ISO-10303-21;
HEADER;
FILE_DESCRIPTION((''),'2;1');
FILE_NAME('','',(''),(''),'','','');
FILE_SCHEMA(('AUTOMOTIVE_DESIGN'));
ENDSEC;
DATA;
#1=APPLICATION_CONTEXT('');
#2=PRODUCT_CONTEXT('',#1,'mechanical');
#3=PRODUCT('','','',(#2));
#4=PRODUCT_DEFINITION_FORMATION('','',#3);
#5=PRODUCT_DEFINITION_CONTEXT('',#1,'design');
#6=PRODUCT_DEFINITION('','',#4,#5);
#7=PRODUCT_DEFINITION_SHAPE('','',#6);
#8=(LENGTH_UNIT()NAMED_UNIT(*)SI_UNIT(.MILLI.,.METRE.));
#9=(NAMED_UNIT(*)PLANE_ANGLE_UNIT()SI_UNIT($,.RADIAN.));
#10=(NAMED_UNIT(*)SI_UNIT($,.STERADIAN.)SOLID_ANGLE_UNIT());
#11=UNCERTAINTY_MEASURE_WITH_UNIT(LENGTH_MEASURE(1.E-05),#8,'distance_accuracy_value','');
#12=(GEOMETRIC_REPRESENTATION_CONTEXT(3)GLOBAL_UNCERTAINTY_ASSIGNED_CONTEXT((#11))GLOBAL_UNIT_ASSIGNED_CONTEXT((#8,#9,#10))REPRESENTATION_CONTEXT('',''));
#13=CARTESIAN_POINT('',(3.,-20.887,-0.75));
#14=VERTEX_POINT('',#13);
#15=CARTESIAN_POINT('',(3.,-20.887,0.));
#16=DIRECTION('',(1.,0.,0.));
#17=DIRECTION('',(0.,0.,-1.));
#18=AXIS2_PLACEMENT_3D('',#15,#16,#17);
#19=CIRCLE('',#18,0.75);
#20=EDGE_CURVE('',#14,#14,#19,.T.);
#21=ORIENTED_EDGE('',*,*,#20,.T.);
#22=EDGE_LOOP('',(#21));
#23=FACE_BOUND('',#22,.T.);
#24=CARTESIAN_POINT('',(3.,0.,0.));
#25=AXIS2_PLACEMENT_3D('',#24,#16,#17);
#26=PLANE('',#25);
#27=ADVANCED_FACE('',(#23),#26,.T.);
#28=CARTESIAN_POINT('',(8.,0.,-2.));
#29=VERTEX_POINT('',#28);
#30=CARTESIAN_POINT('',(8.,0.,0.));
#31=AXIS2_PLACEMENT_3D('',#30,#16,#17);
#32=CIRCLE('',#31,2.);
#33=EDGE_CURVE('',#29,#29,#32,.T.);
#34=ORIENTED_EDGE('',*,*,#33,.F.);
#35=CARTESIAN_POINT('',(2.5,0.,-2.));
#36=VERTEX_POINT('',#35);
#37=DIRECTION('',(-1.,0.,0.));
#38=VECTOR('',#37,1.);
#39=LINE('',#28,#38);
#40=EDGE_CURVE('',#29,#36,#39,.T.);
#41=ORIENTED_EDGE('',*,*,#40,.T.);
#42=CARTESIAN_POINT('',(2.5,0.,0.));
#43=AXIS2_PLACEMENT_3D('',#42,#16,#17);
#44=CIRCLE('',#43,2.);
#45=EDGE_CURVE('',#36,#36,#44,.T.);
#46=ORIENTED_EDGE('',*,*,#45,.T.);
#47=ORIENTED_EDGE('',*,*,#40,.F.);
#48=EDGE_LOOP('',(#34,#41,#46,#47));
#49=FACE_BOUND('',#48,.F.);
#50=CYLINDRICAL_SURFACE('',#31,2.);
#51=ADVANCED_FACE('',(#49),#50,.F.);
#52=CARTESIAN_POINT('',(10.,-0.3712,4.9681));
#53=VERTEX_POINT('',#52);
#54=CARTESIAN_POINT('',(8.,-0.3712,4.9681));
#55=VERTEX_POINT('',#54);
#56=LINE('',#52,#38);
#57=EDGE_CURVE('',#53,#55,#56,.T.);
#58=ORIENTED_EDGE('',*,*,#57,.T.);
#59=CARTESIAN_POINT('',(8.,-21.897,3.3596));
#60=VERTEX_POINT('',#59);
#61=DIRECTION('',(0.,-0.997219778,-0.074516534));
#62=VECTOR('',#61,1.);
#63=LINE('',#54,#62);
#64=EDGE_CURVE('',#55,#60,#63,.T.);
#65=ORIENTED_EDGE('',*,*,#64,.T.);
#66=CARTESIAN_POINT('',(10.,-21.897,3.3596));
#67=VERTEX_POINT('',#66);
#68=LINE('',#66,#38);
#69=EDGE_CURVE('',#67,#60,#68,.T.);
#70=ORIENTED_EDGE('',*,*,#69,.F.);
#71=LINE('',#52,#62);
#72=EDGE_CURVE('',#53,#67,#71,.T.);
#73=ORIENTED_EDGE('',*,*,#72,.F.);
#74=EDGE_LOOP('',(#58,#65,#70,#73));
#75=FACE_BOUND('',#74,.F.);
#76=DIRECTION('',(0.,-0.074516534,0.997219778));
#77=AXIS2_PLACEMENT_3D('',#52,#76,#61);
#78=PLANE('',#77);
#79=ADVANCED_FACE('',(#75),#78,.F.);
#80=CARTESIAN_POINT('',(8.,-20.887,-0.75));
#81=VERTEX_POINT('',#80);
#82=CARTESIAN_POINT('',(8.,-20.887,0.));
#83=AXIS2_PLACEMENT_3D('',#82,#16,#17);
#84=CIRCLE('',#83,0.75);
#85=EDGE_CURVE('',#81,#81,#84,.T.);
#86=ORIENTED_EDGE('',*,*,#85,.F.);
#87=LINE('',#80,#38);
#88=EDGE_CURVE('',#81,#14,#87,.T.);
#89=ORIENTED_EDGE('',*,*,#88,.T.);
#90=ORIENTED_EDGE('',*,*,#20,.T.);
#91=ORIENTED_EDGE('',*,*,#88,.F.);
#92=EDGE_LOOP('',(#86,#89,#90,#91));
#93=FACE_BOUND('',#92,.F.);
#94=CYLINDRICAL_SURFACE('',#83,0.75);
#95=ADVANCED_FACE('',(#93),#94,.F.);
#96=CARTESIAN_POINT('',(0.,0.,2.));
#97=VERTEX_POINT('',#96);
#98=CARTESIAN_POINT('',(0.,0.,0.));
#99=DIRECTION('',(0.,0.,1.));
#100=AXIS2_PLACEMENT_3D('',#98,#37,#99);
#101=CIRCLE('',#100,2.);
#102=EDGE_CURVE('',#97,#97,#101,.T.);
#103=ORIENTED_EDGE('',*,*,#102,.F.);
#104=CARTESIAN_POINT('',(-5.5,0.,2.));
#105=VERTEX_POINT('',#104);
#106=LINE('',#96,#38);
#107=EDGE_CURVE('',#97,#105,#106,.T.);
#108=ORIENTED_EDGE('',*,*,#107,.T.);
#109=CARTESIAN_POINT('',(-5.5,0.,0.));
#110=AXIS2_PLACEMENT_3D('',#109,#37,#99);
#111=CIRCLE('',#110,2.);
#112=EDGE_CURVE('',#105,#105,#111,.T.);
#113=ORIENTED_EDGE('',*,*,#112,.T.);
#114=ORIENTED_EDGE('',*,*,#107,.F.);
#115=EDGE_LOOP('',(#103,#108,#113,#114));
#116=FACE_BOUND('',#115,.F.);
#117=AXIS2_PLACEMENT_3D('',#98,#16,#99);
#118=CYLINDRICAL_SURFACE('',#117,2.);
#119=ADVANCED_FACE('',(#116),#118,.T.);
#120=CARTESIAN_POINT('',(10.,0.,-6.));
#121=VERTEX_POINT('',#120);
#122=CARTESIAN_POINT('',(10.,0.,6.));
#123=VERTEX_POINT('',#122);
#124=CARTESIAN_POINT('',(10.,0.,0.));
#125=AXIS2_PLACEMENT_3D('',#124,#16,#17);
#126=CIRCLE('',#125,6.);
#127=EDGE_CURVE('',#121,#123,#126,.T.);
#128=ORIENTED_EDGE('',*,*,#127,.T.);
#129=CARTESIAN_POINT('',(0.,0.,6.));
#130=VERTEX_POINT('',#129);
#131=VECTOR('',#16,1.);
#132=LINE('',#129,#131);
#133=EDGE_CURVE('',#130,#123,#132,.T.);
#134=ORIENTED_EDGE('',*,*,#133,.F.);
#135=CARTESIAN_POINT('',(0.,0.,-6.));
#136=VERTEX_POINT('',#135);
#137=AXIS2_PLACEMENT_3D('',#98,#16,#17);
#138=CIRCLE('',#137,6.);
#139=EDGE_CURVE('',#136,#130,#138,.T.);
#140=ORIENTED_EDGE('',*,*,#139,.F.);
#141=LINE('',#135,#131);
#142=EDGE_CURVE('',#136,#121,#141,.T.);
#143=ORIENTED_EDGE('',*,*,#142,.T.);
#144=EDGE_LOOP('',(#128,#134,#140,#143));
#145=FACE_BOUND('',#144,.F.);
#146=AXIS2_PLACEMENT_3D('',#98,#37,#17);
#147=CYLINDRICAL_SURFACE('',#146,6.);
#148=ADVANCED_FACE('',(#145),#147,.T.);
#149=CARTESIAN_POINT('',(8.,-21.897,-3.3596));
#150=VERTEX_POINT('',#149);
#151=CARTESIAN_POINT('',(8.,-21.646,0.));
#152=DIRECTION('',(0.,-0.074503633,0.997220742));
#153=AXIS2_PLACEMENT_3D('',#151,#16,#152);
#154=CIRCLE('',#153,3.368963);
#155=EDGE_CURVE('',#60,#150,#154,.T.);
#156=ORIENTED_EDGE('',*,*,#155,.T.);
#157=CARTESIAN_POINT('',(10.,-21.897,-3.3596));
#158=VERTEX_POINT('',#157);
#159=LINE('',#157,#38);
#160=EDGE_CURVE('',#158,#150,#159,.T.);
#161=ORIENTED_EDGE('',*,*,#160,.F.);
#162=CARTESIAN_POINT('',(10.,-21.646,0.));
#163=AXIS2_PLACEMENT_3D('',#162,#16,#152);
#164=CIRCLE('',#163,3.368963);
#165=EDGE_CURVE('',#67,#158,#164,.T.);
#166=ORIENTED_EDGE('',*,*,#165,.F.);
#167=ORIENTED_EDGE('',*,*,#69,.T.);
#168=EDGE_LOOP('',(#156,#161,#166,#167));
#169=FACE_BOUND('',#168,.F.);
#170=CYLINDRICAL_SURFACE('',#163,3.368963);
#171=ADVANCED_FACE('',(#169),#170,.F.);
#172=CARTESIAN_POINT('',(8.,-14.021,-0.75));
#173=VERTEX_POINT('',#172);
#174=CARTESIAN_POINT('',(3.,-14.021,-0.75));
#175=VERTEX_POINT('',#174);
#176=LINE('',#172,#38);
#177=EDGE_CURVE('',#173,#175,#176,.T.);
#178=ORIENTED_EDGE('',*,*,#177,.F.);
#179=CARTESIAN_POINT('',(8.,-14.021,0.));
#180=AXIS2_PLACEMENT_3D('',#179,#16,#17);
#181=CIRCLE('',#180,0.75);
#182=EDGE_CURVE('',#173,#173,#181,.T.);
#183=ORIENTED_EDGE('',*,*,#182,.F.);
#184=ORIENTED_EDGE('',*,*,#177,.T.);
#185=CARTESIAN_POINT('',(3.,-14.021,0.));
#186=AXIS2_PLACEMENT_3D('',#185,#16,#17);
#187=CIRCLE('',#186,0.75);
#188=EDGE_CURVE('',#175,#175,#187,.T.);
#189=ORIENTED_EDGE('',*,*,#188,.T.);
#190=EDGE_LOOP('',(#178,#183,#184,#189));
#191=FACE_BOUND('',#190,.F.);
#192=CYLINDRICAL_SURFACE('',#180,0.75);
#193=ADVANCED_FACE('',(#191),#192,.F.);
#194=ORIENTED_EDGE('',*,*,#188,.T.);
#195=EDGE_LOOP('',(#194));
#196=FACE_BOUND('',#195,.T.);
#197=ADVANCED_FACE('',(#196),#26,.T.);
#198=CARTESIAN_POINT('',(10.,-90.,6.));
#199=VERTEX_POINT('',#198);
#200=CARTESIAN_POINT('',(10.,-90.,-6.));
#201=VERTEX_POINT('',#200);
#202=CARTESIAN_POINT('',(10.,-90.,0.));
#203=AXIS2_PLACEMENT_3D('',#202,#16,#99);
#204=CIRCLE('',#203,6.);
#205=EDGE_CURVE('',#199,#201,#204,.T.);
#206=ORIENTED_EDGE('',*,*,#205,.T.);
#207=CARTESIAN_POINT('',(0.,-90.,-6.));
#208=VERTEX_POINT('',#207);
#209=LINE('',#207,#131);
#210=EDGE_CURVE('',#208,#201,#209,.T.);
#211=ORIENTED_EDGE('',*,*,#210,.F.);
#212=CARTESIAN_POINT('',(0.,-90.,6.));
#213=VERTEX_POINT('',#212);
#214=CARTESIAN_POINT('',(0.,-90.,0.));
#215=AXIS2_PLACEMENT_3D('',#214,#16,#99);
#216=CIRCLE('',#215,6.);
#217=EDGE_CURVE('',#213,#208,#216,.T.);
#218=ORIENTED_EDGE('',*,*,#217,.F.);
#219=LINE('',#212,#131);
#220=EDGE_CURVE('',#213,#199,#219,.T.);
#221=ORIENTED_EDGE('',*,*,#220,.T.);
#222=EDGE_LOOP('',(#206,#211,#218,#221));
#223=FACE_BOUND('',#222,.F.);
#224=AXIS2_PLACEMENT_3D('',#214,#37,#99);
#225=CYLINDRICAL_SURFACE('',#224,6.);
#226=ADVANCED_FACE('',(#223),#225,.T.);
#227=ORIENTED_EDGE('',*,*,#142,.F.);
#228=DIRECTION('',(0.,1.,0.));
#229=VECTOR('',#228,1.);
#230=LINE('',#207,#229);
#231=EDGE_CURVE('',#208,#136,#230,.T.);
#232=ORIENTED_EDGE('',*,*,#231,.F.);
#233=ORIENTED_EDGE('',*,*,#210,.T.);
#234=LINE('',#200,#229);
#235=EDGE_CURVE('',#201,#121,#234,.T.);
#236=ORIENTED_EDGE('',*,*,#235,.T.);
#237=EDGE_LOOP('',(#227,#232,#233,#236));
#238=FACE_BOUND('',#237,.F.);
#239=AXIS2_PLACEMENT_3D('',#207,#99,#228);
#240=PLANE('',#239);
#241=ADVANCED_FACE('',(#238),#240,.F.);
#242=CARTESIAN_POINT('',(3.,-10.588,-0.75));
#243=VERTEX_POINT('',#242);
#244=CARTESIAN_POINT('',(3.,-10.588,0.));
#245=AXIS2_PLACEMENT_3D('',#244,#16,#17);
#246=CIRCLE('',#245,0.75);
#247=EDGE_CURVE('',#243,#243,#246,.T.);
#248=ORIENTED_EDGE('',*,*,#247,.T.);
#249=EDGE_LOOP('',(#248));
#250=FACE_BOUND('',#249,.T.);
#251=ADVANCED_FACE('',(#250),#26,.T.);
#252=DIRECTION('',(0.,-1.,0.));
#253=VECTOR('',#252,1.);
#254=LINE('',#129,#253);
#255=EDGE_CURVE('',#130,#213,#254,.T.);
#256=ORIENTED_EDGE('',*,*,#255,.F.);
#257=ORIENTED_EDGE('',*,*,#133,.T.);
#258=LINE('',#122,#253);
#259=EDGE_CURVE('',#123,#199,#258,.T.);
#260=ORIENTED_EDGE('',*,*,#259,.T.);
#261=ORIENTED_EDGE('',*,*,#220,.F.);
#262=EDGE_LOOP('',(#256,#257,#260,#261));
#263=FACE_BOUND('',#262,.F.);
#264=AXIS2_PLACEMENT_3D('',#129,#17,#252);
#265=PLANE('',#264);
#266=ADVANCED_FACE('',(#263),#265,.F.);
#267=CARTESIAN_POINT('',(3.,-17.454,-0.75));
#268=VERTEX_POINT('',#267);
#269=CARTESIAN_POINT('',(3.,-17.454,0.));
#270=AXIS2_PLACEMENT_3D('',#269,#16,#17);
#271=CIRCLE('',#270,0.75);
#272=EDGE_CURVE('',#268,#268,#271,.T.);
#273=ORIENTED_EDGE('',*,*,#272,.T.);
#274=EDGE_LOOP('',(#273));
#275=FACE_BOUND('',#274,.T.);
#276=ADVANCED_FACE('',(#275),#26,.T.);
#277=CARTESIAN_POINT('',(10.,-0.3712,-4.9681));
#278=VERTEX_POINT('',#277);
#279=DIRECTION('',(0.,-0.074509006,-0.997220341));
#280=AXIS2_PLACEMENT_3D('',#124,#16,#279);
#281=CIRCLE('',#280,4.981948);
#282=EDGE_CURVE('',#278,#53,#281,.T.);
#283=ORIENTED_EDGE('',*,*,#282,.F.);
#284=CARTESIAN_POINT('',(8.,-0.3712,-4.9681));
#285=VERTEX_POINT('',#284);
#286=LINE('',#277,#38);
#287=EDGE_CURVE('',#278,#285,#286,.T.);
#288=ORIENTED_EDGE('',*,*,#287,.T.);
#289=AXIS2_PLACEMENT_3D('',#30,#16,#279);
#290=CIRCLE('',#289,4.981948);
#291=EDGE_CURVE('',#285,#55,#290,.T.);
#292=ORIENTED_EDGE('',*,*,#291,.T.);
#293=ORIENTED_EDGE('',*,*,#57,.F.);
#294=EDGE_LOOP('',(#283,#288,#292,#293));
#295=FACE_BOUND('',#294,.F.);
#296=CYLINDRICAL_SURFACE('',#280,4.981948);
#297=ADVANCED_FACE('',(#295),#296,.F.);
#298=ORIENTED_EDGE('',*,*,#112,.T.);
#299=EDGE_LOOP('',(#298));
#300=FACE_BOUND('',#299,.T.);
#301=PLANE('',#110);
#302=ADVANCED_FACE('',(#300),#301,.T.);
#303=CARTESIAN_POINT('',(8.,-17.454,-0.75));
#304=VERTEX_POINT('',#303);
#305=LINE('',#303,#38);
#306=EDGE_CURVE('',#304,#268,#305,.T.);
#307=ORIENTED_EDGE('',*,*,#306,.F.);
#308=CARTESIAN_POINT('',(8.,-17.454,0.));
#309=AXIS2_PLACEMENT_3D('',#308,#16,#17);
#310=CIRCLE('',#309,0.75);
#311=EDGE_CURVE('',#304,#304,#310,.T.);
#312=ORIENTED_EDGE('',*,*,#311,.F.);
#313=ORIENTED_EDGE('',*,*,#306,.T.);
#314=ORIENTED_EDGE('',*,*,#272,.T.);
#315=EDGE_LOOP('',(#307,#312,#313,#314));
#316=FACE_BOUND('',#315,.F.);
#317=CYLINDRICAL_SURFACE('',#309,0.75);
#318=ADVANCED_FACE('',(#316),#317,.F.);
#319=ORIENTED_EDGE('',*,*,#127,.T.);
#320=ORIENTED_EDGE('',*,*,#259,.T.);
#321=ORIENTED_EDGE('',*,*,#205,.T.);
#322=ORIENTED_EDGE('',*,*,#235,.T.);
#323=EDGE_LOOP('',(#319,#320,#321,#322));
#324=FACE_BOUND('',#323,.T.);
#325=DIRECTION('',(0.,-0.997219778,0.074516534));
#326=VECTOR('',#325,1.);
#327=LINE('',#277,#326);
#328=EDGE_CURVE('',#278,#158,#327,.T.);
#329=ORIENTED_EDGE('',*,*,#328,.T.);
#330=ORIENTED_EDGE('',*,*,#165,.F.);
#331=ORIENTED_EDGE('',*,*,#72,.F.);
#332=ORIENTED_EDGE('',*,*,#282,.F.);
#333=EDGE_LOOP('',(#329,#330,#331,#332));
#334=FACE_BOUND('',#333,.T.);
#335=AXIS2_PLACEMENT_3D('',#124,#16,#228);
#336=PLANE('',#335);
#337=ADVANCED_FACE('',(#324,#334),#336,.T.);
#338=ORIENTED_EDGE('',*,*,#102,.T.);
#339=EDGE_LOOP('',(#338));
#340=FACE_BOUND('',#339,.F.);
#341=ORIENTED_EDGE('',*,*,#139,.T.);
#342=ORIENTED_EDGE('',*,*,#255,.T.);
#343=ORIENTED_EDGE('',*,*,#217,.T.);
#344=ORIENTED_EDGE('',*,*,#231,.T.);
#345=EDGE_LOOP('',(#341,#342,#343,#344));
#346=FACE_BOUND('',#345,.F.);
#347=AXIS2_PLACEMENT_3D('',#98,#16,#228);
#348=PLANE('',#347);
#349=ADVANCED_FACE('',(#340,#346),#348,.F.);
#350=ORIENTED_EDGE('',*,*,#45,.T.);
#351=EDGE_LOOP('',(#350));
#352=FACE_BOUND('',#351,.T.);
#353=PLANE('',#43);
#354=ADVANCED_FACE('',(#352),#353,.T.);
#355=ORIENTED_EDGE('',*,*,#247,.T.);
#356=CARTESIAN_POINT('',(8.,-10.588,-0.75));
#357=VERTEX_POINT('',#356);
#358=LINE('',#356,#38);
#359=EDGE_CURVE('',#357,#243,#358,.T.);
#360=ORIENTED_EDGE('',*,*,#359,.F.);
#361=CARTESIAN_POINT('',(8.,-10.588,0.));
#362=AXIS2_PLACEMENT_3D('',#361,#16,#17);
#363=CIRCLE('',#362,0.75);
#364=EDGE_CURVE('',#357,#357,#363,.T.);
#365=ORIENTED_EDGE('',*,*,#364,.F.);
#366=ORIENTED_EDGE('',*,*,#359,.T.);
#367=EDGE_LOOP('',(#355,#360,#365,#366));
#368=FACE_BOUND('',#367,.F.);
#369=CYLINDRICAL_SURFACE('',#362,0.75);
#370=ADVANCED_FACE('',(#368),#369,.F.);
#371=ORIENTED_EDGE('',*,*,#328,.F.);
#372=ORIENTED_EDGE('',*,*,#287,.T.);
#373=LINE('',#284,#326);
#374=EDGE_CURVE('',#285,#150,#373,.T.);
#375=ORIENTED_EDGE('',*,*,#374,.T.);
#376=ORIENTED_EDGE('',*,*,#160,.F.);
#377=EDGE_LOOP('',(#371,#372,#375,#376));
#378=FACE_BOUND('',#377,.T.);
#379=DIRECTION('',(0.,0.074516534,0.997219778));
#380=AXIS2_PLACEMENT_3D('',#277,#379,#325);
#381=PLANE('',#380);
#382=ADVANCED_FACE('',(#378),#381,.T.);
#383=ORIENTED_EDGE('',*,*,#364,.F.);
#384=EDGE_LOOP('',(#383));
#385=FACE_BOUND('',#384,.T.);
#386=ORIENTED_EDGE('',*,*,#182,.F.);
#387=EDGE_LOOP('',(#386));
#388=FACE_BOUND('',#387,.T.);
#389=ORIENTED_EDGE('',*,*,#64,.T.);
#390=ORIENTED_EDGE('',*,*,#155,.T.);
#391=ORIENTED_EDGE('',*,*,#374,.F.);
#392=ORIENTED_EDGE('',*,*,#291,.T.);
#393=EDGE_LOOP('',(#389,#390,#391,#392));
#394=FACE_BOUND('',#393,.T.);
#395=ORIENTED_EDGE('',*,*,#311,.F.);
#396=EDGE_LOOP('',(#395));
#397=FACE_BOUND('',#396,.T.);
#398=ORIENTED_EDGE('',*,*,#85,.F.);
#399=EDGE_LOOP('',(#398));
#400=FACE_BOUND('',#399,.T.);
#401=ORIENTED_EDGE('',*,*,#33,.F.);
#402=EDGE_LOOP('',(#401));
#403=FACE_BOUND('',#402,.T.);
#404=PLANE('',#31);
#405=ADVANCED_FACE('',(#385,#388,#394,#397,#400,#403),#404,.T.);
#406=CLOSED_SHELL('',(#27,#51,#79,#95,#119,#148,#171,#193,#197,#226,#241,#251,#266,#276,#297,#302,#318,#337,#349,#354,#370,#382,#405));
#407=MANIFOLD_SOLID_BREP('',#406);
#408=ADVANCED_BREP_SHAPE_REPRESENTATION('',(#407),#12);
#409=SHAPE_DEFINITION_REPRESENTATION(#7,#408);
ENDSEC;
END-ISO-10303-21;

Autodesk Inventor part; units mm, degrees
ref_plane "YZ Plane" through (0, 0, 0) normal (1, 0, 0) x (0, 1, 0)
ref_plane "XZ Plane" through (0, 0, 0) normal (0, 1, 0) x (-1, 0, 0)
ref_plane "XY Plane" through (0, 0, 0) normal (0, 0, 1) x (1, 0, 0)
sketch "Sketch1" plane through (0, 0, 0) normal (1, 0, 0) x (0, 1, 0)
  arc A0 (0, -6) -> (0, 6) centre (0, 0) ccw
  line L0 (0, 6) -> (-90, 6)
  line L1 (-90, -6) -> (0, -6)
  arc A1 (-90, 6) -> (-90, -6) centre (-90, 0) ccw
  line L2 (0, 101) -> (0, 6) construction
  line L3 (0, -6) -> (0, -101) construction
  dimension "d1" = 12
  dimension "d3" = 90
extrude "Main Arm" add sketch "Sketch1" along normal blind 10
sketch "Sketch2" plane through (10, 0, 0) normal (1, 0, 0) x (0, 0, -1)
  arc A0 (4.9681, -0.3712) -> (-4.9681, -0.3712) centre (0, 0) ccw
  arc A1 (-3.3596, -21.897) -> (3.3596, -21.897) centre (0, -21.646) ccw
  line L0 (-4.9681, -0.3712) -> (-3.3596, -21.897)
  line L1 (4.9681, -0.3712) -> (3.3596, -21.897)
  point P0 (6, 0)
  dimension "d11" = 9.964
  dimension "d12" = 6.738
  dimension "d13" = 21.646
extrude "Extrusion2" cut sketch "Sketch2" against normal blind 2
sketch "Sketch3" plane through (8, 0, 0) normal (1, 0, 0) x (0, 0, -1)
  circle A0 centre (0, -10.588) radius 0.75
  line L0 (0, 125) -> (0, -125) construction
  circle A1 centre (0, -14.021) radius 0.75
  circle A2 centre (0, -17.454) radius 0.75
  circle A3 centre (0, -20.887) radius 0.75
  point P0 (0, 0)
  dimension "d14" = 1.5
  dimension "d15" = 10.588
  dimension "d19" = 3.433
extrude "Extrusion3" cut sketch "Sketch3" against normal blind 5
sketch "Sketch4" plane through (8, 0, 0) normal (1, 0, 0) x (0, 0, -1)
  circle A0 centre (0, 0) radius 2
  dimension "d26" = 4
extrude "Extrusion4" cut sketch "Sketch4" against normal blind 5.5
sketch "Sketch5" plane through (0, 0, 0) normal (-1, 0, 0) x (0, 0, 1)
  circle A0 centre (0, 0) radius 2 projected
  circle A1 centre (0, 0) radius 2.25
  dimension "d29" = 4.5
extrude "Extrusion5" add sketch "Sketch5" along normal blind 5.5 contours A0
properties part number "Payload Release Actuator Arm"
